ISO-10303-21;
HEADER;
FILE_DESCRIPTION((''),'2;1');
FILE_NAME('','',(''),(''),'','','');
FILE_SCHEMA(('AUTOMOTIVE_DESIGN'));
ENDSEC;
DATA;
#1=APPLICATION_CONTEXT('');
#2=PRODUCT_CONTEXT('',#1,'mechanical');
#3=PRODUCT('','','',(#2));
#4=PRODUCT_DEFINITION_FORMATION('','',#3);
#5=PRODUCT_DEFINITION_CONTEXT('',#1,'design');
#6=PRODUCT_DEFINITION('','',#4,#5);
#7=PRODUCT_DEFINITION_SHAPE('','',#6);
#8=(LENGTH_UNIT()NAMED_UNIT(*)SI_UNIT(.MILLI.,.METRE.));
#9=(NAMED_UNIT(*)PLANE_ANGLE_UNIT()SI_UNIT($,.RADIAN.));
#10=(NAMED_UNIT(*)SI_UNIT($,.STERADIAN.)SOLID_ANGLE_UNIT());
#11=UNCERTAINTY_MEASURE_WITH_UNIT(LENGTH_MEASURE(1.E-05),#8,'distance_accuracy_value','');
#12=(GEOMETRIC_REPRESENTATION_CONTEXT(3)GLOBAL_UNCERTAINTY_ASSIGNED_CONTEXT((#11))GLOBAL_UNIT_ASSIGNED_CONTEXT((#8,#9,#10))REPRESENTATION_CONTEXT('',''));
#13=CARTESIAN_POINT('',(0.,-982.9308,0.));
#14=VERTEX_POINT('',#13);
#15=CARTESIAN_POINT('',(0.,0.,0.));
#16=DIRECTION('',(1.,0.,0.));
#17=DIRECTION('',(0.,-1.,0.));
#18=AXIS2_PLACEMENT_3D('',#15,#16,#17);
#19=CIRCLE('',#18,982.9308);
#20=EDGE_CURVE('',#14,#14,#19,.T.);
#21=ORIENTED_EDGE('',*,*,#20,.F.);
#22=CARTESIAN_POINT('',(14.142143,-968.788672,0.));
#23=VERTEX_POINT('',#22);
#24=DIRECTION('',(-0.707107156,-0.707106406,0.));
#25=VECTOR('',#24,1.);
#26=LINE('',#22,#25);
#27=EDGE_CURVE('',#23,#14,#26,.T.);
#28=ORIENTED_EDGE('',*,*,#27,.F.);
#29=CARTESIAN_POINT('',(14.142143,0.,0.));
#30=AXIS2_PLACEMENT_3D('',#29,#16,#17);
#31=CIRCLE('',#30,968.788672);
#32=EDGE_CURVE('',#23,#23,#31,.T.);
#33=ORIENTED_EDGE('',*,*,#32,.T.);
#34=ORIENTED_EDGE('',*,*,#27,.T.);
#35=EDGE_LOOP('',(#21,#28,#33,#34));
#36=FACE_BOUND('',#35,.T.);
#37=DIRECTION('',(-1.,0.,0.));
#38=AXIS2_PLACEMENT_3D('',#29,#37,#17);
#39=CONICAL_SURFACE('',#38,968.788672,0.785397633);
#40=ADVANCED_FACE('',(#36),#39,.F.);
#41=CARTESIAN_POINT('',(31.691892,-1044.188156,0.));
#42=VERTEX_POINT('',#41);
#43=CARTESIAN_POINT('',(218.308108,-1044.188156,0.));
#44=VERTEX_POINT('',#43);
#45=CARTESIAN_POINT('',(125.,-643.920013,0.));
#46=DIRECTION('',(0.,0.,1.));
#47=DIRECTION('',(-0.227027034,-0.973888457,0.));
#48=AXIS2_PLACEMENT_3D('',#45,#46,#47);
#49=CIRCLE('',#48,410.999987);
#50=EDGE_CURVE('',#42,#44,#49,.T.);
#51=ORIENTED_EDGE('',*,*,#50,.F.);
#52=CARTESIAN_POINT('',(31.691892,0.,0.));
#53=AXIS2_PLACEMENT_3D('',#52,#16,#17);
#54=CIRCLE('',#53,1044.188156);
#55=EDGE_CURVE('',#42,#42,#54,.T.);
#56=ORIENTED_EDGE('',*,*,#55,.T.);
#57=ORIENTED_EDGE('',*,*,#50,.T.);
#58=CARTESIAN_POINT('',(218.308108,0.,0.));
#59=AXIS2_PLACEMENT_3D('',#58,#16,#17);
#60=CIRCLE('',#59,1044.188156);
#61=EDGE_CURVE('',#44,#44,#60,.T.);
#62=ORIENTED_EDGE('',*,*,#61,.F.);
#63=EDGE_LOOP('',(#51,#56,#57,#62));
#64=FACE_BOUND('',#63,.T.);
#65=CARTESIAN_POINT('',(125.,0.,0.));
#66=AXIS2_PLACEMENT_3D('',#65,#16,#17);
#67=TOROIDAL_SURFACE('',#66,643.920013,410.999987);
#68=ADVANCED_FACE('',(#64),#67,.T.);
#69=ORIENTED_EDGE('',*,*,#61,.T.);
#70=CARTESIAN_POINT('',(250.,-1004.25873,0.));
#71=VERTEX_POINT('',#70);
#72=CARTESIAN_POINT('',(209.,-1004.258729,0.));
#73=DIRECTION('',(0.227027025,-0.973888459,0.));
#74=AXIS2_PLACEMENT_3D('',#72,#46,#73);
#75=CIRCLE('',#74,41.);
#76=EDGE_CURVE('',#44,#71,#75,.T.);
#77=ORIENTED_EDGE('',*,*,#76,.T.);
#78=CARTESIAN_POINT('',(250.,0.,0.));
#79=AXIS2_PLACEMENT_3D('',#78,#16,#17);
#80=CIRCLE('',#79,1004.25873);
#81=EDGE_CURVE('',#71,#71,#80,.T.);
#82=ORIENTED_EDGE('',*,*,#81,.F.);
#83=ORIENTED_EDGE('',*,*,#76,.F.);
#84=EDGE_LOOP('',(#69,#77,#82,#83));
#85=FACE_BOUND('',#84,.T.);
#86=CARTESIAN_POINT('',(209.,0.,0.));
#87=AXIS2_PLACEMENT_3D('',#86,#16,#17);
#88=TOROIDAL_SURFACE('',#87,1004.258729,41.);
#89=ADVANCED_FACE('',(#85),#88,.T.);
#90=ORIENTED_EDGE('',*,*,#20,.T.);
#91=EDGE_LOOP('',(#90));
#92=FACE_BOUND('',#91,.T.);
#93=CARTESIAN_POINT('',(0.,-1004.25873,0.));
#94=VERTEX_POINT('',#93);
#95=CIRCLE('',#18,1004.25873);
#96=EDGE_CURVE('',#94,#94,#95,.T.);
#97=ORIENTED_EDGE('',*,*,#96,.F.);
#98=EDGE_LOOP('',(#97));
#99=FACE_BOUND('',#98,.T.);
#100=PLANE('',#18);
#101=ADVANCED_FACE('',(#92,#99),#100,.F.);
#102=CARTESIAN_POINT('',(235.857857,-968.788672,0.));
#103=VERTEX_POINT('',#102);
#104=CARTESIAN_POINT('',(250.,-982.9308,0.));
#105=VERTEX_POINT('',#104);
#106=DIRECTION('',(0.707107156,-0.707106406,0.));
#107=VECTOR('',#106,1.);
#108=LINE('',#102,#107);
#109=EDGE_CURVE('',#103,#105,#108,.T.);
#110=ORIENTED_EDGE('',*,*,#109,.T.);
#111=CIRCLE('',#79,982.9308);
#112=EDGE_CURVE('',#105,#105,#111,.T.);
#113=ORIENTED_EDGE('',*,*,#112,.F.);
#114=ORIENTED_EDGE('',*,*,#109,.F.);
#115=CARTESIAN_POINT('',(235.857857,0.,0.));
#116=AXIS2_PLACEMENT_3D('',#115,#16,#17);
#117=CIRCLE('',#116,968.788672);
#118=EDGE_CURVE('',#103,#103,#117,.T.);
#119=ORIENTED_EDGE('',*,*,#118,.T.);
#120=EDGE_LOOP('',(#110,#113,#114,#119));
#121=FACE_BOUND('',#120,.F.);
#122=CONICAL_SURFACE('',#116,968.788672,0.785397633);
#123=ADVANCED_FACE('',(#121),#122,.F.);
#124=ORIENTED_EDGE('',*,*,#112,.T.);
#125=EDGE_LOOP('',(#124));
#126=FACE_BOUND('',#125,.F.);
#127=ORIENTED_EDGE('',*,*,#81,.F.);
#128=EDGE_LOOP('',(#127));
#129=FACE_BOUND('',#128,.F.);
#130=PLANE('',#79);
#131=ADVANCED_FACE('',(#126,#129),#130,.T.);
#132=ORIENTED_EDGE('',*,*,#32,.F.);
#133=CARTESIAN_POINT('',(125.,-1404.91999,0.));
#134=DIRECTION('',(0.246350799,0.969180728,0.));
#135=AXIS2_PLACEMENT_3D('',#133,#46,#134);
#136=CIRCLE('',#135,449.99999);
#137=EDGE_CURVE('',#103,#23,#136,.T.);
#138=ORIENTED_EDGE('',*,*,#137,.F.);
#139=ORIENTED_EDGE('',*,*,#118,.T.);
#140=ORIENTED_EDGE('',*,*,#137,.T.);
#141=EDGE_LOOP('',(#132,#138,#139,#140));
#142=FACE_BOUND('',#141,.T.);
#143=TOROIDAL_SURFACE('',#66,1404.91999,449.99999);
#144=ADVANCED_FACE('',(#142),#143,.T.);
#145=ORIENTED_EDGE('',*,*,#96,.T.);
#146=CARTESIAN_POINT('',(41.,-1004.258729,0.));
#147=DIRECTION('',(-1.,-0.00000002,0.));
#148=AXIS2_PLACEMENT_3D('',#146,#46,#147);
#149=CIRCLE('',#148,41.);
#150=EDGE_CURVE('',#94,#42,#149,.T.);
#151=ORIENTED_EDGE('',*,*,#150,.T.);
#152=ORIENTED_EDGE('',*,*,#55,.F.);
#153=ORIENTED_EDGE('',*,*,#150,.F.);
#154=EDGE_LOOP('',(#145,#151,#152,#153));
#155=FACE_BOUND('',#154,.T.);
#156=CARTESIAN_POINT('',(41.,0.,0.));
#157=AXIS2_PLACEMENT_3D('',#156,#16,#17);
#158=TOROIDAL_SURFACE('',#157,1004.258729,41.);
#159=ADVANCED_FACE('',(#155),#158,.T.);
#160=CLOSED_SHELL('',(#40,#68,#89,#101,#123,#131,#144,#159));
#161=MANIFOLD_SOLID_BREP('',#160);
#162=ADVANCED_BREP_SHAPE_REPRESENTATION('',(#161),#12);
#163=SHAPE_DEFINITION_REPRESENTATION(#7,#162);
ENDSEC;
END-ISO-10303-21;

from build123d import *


with BuildPart() as part:
    # Sketch → Revolution (revolve)
    with BuildSketch(Plane.XY):
        with BuildLine():
            Line((0, -982.9308), (0, -1004.25873))
            ThreePointArc((0, -1004.25873), (8.885888, -1029.747625), (31.691892, -1044.188156))
            ThreePointArc((31.691892, -1044.188156), (125, -1054.92), (218.308108, -1044.188156))
            ThreePointArc((218.308108, -1044.188156), (241.114112, -1029.747625), (250, -1004.25873))
            Line((250, -982.9308), (250, -1004.25873))
            Line((235.857857, -968.788672), (250, -982.9308))
            ThreePointArc((235.857857, -968.788672), (125, -954.92), (14.142143, -968.788672))
            Line((14.142143, -968.788672), (0, -982.9308))
        make_face()
    revolve(axis=Axis((0, 0, 0), (1, 0, 0)))


solid = part.part
